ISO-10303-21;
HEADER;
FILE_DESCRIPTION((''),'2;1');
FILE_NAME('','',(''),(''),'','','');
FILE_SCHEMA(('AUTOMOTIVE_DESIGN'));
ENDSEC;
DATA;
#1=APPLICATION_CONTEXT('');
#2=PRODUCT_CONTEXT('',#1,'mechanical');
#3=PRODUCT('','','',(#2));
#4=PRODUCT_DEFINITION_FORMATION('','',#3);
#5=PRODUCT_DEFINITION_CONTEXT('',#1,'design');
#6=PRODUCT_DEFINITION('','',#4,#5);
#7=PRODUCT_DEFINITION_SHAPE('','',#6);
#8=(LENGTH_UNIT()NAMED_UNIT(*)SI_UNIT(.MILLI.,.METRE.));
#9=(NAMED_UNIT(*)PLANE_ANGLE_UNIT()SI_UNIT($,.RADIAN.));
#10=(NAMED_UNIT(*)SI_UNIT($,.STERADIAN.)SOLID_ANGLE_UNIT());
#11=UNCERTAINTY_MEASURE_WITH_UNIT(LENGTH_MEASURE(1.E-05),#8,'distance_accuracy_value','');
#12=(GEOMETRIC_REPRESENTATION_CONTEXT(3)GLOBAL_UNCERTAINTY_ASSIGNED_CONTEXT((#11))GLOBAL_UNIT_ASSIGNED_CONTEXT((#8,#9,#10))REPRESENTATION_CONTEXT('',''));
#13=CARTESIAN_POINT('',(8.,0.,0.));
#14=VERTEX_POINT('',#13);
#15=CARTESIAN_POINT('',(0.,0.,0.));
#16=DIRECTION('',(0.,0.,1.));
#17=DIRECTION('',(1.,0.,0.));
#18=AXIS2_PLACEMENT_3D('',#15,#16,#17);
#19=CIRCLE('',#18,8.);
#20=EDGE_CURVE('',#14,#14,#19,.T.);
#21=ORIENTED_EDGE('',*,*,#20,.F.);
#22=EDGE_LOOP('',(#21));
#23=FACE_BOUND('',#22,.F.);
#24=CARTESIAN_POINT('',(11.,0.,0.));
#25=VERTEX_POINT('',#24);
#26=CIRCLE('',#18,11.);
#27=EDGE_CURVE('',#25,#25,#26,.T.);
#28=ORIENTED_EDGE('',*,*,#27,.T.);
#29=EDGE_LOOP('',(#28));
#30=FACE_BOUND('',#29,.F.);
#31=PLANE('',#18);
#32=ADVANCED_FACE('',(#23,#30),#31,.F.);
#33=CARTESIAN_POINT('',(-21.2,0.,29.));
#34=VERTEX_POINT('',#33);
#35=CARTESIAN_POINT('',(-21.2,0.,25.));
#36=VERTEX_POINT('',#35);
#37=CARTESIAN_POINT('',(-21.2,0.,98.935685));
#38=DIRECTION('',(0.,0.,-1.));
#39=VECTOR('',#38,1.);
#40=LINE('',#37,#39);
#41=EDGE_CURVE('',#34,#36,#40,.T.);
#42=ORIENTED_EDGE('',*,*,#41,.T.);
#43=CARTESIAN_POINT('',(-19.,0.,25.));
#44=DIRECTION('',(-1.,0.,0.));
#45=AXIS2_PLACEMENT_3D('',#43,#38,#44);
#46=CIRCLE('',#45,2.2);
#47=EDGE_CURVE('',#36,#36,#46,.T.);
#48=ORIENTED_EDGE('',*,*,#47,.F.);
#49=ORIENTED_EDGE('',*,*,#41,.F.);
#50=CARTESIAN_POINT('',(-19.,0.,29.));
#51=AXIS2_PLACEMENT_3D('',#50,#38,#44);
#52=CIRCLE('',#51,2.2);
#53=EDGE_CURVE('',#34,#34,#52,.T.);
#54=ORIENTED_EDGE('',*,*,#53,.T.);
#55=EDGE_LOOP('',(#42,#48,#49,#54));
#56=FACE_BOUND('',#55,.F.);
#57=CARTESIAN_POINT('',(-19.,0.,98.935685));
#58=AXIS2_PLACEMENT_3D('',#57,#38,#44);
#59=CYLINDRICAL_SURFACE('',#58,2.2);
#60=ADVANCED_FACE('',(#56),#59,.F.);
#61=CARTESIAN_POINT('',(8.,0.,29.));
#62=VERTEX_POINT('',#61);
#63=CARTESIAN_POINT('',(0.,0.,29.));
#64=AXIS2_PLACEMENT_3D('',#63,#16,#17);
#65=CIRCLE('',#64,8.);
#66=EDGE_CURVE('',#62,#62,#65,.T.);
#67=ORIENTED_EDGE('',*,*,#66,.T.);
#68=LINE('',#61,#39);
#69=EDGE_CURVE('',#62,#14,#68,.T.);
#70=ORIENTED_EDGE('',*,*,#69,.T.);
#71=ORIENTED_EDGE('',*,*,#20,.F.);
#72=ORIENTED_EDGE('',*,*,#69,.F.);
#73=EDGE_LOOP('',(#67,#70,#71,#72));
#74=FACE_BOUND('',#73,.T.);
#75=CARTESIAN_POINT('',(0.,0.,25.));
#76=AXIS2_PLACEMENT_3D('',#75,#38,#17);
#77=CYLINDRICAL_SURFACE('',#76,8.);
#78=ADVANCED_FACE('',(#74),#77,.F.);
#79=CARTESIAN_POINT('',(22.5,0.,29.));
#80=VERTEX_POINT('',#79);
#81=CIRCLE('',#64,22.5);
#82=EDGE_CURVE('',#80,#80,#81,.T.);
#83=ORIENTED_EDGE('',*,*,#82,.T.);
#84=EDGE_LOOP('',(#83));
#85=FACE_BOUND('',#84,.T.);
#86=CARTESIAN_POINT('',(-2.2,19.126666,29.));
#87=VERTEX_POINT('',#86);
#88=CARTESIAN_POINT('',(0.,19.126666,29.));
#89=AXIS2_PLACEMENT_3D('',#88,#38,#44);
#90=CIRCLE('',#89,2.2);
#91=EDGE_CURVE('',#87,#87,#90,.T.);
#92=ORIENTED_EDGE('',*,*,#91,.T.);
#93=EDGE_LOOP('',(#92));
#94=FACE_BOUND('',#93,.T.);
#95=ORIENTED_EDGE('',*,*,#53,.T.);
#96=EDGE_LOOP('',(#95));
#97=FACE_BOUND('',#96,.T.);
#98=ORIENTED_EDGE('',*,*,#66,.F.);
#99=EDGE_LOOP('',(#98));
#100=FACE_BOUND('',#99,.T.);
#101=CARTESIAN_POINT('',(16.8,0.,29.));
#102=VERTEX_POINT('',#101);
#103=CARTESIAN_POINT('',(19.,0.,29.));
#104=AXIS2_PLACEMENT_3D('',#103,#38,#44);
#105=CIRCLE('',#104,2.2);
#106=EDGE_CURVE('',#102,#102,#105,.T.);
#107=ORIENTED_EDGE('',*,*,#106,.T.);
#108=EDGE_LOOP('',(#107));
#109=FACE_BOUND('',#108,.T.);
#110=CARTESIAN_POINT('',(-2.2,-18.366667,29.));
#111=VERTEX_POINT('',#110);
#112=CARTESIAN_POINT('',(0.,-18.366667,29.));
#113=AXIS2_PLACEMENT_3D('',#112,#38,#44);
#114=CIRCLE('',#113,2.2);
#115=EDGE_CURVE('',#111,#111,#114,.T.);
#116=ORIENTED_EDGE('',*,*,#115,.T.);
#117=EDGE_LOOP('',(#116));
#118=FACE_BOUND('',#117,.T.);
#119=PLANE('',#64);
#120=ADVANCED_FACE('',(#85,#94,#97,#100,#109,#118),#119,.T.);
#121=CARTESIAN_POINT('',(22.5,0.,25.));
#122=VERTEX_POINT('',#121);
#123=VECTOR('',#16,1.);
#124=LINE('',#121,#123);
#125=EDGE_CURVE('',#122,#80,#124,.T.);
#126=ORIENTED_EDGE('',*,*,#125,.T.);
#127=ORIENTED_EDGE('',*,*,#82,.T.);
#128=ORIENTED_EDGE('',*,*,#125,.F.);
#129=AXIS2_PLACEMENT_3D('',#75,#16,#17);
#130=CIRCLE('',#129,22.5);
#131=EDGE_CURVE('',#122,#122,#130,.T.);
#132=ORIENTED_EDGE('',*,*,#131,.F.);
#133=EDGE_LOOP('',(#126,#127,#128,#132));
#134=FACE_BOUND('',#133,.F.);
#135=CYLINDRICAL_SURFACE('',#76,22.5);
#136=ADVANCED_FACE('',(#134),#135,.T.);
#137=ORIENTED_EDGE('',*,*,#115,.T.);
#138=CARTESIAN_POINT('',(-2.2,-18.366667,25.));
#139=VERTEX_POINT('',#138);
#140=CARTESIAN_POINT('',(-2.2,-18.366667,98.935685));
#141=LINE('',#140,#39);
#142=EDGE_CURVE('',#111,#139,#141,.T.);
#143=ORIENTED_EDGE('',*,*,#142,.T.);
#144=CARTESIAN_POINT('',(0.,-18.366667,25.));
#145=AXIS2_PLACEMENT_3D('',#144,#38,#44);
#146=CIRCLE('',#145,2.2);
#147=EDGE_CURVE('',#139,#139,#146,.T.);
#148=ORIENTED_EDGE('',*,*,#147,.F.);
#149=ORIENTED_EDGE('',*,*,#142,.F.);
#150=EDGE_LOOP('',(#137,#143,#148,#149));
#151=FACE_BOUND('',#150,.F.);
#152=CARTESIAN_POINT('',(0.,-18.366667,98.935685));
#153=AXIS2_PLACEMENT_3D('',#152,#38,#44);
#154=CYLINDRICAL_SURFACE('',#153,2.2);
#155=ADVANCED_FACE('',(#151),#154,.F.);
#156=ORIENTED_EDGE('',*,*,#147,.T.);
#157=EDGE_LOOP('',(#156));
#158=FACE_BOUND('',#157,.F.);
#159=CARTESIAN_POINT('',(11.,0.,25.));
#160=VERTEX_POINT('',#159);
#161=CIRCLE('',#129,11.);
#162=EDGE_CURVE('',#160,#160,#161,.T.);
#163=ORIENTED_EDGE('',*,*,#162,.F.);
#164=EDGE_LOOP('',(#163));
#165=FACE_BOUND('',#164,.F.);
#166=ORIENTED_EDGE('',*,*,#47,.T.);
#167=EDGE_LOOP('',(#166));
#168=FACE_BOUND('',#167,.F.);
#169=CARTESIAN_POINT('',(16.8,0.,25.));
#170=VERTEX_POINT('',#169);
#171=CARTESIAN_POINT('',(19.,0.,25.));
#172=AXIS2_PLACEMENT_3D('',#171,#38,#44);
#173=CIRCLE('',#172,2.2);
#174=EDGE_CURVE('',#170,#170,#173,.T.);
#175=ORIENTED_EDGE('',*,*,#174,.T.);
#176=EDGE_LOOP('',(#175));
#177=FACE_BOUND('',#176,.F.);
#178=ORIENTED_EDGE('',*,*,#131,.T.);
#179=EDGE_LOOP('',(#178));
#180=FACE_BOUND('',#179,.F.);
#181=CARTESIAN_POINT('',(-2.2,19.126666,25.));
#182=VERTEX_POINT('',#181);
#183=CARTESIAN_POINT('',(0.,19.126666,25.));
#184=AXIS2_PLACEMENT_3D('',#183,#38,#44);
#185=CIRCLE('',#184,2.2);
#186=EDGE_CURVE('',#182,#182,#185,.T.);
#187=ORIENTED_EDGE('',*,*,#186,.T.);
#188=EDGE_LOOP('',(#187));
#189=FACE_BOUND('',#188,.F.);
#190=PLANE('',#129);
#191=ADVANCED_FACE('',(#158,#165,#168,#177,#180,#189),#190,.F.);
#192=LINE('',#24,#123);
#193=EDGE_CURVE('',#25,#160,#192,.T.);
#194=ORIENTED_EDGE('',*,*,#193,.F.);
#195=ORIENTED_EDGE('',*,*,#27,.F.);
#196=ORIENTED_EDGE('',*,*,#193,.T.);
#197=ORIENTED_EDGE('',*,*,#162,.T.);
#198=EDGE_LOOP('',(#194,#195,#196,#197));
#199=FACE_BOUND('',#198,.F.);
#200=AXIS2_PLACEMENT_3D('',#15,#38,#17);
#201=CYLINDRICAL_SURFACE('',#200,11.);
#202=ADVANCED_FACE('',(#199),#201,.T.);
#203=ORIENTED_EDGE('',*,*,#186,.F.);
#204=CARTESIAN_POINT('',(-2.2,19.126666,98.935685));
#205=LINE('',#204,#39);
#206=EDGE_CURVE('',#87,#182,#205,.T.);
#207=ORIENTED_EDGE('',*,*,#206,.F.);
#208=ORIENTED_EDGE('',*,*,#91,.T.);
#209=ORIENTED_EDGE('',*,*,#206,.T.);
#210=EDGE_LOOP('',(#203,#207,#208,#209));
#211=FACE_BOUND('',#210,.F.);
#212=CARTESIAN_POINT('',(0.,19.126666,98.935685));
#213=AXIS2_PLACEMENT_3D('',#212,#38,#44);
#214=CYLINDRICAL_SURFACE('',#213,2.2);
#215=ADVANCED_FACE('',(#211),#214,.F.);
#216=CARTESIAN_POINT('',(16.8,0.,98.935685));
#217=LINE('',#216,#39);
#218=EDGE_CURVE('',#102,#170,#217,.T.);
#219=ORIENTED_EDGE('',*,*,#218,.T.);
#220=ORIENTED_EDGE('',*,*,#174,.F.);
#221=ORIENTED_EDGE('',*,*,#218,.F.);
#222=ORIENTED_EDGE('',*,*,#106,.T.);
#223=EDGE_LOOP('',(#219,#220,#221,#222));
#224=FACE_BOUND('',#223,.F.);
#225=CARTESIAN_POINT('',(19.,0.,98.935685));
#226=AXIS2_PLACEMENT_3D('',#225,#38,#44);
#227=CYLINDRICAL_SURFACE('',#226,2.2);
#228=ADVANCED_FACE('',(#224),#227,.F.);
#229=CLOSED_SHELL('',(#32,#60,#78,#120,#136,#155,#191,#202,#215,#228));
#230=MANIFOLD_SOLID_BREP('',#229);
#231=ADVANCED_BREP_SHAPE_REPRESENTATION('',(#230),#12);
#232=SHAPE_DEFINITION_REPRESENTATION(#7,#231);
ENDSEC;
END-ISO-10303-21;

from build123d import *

# Parameters (mm, degrees)
F0_R     = 11
F0_R_2   = 8
F1_DEPTH = 25
F2_R     = 22.5
F2_R_2   = 11
F2_R_3   = 8
F3_DEPTH = 4
F5_D     = 4.4


with BuildPart() as f1:
    # F0 (on Top) → F1 (new body)
    with BuildSketch(Plane.XY):
        Circle(F0_R)
        Circle(F0_R_2, mode=Mode.SUBTRACT)
    extrude(amount=F1_DEPTH)

    # F2 (on face) → F3 (join)
    with BuildSketch(Plane.XY.offset(25)):
        Circle(F2_R)
        Circle(F2_R_2, mode=Mode.SUBTRACT)
        Circle(F2_R_2)
        Circle(F2_R_3, mode=Mode.SUBTRACT)
    extrude(amount=F3_DEPTH)

    # F5 (through all)
    with Locations(Plane.XY.offset(29)):
        with Locations((-19, 0), (0, 19.126665961), (19, 0), (0, -18.3666665865)):
            Hole(F5_D / 2)


solid = f1.part
